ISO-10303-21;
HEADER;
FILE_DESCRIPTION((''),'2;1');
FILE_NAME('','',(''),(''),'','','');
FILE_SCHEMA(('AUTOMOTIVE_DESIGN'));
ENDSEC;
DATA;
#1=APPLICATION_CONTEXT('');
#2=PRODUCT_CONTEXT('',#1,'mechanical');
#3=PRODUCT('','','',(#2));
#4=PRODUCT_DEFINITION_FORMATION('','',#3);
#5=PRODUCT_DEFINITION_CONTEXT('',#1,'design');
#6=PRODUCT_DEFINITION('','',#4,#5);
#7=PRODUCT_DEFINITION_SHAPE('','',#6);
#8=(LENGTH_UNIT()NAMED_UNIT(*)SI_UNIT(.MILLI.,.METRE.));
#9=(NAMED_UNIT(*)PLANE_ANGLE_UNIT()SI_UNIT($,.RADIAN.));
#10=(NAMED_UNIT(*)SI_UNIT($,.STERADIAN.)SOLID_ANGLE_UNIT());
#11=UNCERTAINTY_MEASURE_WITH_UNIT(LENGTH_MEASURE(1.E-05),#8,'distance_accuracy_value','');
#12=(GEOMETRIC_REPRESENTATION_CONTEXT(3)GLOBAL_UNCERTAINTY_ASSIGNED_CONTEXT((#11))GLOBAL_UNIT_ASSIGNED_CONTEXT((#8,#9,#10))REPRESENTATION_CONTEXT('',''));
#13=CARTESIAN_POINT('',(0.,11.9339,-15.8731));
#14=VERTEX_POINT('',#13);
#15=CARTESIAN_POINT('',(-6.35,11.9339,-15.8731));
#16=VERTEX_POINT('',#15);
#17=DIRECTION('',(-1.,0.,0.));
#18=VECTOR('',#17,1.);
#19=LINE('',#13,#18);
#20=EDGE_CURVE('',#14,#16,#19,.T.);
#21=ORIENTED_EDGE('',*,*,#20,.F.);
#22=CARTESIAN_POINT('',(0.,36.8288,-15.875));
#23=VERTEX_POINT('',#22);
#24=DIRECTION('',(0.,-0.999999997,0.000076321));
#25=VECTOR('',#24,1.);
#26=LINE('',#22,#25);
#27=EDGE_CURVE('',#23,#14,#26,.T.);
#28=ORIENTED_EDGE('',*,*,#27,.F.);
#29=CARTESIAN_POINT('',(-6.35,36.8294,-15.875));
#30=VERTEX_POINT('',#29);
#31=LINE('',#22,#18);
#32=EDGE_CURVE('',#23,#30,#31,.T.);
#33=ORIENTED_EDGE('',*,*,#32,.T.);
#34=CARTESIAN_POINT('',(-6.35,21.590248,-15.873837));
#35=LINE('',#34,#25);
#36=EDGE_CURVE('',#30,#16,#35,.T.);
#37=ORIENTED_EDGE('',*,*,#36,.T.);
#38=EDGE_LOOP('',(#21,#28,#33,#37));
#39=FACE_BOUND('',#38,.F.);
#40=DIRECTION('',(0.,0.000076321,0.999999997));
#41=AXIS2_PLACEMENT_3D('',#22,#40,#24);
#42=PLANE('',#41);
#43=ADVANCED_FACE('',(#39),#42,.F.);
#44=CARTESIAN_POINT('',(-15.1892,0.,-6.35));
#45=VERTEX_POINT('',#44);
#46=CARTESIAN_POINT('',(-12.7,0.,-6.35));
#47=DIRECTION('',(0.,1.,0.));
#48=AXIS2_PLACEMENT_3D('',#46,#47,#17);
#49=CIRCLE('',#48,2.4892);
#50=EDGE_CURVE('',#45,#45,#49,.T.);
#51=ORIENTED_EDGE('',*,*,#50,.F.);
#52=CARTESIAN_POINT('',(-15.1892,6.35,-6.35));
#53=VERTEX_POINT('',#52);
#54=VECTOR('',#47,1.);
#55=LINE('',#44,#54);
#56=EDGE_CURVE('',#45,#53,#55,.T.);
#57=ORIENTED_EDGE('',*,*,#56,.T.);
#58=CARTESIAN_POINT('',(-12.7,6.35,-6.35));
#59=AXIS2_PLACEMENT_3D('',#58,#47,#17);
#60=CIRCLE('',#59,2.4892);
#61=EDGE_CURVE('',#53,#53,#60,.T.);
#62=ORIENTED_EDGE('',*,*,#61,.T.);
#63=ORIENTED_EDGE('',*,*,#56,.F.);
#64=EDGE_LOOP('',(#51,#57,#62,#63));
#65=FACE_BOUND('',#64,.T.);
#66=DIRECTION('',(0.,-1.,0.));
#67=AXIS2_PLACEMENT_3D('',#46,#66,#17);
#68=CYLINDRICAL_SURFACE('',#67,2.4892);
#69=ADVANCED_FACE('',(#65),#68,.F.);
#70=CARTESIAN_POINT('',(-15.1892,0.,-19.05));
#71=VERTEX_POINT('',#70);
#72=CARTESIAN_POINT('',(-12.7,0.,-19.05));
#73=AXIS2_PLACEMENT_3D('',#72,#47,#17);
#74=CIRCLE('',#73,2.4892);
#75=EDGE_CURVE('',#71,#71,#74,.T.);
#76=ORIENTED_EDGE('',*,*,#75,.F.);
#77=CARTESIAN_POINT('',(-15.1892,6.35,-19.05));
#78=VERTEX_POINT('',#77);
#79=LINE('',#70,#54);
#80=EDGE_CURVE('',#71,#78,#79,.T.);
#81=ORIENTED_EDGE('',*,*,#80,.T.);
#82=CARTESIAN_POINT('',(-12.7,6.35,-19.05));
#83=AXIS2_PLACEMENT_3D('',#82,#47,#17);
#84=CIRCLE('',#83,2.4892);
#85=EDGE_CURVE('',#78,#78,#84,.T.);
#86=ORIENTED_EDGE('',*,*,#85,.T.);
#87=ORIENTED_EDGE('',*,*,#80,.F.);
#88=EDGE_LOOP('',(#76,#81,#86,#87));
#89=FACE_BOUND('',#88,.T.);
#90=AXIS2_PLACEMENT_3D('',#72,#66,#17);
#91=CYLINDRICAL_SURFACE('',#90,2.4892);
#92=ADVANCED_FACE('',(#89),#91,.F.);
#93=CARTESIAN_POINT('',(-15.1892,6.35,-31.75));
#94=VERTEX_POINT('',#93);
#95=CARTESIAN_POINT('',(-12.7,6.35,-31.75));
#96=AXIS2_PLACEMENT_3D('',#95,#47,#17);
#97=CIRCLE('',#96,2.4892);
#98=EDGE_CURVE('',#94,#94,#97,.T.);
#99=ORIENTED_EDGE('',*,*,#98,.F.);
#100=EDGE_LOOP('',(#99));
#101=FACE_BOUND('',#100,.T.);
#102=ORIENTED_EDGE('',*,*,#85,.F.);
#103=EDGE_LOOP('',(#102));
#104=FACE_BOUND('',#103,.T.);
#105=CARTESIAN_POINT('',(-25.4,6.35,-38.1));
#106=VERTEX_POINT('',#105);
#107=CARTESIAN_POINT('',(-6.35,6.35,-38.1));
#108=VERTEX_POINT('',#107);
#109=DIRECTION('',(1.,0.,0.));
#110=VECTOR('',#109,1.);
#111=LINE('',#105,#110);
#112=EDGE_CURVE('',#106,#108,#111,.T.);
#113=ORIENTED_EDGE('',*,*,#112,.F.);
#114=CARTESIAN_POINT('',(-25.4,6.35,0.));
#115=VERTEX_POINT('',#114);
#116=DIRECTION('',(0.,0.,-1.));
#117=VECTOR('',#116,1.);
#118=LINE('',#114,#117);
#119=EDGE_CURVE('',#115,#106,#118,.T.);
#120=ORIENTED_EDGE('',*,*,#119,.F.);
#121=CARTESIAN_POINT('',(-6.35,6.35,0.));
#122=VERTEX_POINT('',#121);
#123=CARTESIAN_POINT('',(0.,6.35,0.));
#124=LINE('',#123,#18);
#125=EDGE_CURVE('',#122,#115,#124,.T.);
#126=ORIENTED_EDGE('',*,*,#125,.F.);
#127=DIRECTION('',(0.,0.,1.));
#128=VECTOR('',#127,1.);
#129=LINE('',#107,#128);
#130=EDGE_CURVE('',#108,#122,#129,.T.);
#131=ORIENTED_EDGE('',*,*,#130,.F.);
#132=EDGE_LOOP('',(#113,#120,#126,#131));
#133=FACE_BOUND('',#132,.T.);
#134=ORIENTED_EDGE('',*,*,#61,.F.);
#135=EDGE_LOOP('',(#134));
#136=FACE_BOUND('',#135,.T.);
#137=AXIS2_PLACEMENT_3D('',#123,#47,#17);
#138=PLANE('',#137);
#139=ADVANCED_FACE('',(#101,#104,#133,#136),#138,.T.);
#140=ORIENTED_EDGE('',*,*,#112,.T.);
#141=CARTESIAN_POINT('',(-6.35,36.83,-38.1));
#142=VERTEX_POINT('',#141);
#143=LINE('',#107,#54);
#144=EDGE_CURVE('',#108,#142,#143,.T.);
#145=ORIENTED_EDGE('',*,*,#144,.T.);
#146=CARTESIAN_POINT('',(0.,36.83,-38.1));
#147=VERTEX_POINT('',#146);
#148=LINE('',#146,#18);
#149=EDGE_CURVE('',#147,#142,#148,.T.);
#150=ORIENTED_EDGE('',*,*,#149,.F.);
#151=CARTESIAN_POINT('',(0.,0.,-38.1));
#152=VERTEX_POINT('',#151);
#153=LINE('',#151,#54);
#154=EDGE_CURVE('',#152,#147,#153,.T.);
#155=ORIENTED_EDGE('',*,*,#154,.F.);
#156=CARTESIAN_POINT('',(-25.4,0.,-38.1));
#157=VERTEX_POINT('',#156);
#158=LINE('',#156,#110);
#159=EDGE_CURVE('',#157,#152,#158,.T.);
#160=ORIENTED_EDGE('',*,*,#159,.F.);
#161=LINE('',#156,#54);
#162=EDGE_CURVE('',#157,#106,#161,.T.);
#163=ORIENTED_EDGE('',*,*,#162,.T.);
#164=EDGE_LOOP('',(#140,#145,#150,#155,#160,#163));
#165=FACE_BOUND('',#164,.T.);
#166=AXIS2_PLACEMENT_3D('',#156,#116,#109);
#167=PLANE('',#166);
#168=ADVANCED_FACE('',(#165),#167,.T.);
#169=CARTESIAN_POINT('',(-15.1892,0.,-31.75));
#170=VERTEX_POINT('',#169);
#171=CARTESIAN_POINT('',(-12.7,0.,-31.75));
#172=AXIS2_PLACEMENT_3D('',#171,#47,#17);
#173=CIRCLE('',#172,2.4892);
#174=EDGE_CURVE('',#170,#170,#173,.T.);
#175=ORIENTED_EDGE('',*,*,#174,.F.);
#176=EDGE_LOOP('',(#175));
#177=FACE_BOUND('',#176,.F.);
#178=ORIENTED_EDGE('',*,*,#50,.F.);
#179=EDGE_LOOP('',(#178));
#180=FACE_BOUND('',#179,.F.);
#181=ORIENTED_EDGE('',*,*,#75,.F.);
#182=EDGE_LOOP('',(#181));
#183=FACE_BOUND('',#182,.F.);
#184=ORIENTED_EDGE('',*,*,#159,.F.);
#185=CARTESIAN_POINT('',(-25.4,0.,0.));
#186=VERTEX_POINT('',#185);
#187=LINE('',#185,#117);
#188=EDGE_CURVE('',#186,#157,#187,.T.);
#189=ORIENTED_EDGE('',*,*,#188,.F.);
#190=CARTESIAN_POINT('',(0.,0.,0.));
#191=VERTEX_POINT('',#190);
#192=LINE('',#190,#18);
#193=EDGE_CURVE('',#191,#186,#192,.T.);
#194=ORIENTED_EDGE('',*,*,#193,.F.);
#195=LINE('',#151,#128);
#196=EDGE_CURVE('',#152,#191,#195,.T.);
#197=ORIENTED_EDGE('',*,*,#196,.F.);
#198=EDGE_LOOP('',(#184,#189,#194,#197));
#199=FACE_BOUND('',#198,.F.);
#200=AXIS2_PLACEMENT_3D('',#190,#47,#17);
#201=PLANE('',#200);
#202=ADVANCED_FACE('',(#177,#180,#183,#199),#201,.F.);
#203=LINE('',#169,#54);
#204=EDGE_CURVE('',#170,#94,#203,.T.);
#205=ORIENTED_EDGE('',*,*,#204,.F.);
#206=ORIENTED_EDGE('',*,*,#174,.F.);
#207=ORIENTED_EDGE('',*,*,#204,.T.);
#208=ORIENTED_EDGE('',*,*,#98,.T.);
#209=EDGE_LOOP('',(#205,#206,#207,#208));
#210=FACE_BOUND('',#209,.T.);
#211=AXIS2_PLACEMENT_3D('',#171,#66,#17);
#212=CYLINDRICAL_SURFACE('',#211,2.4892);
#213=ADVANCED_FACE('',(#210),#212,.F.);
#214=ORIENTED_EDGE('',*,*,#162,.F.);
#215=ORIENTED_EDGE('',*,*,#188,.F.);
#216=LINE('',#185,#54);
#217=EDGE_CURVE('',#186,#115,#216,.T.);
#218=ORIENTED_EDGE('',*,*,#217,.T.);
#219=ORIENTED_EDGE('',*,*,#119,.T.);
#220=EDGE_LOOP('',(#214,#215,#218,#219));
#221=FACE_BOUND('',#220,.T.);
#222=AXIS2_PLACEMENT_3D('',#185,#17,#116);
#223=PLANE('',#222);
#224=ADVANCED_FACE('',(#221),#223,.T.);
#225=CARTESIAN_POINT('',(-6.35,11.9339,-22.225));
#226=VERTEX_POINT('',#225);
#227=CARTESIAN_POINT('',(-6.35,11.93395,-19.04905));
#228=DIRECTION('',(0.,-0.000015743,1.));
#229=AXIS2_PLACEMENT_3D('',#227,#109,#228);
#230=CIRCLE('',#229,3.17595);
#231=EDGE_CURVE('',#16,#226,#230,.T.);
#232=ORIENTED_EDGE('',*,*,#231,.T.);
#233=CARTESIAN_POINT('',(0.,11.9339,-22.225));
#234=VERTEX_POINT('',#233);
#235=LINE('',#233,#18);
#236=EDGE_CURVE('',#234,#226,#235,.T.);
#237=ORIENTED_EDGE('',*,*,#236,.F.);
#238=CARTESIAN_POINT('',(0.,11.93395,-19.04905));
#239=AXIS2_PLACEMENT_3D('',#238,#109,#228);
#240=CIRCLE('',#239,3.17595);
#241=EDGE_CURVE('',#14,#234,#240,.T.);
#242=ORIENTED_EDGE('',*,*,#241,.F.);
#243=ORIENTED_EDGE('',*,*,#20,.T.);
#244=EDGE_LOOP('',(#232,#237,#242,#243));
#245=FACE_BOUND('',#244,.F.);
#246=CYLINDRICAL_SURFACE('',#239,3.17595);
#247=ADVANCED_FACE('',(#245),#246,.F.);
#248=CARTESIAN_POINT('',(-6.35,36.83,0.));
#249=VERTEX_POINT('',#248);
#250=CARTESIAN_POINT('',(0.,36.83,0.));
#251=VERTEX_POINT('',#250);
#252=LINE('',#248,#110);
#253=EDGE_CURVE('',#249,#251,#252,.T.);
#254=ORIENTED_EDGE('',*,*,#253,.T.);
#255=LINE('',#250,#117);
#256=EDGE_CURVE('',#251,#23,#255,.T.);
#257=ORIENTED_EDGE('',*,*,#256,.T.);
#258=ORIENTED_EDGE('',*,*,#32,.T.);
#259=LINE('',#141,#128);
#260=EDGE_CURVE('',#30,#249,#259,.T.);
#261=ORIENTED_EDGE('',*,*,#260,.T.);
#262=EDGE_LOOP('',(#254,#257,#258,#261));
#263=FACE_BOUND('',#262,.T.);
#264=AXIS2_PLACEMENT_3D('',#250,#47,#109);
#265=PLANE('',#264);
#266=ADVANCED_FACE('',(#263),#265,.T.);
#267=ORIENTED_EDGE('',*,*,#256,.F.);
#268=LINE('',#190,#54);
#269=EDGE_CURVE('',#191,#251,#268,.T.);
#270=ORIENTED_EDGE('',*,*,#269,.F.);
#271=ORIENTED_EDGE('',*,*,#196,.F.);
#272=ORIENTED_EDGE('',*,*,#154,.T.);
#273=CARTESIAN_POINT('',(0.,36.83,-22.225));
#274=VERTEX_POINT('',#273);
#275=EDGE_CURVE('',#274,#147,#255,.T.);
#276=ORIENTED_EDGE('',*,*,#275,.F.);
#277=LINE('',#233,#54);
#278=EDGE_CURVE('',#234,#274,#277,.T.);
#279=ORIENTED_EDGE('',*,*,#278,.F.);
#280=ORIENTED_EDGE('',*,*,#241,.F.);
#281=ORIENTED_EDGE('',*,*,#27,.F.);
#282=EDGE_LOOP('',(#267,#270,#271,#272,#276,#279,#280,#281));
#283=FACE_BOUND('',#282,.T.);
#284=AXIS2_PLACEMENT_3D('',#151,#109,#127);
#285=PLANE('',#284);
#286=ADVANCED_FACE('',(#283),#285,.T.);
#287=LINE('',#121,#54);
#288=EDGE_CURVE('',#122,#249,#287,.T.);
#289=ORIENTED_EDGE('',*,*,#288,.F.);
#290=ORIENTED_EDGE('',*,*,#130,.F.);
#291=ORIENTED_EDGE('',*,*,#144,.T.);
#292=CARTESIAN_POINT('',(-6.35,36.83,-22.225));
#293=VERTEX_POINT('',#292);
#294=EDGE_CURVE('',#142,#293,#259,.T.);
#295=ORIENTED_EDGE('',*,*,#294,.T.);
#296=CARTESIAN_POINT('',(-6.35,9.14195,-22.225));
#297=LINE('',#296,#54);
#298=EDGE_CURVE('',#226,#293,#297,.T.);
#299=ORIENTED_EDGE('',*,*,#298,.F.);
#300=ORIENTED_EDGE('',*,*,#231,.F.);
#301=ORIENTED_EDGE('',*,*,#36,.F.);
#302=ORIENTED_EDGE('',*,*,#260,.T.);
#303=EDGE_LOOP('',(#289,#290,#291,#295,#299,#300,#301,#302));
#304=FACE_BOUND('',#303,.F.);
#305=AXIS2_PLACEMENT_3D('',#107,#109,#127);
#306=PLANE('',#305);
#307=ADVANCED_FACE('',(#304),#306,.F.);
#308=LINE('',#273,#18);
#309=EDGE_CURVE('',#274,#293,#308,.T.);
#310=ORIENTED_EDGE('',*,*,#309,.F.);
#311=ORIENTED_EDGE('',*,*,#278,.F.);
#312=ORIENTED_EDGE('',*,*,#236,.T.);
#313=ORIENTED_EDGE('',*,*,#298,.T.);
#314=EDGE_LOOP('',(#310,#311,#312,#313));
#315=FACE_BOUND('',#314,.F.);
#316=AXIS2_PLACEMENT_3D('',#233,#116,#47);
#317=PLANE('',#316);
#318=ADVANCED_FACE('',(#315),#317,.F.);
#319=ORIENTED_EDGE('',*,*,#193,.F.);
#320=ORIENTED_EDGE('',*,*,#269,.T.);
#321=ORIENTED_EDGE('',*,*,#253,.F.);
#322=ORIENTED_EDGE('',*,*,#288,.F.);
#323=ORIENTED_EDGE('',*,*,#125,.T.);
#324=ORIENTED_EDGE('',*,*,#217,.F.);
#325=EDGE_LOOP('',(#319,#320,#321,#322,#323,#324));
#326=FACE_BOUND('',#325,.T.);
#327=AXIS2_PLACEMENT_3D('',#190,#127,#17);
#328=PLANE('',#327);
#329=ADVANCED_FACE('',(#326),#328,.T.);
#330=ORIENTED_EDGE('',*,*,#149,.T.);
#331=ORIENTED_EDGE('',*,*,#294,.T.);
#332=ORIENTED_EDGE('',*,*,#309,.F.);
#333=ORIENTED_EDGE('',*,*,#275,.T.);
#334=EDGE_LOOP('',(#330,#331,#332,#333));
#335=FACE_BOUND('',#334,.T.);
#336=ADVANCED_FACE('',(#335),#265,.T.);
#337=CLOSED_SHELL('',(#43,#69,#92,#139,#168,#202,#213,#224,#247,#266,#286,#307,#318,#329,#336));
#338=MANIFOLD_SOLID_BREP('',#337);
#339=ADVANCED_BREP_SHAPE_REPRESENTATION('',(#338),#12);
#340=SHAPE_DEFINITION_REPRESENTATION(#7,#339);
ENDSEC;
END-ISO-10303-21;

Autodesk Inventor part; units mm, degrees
ref_plane "YZ Plane" through (0, 0, 0) normal (1, 0, 0) x (0, 1, 0)
ref_plane "XZ Plane" through (0, 0, 0) normal (0, 1, 0) x (-1, 0, 0)
ref_plane "XY Plane" through (0, 0, 0) normal (0, 0, 1) x (1, 0, 0)
sketch "Sketch1" plane through (0, 0, 0) normal (0, 1, 0) x (-1, 0, 0)
  line L0 (0, 0) -> (25.4, 0)
  line L1 (25.4, 0) -> (25.4, -38.1)
  line L2 (25.4, -38.1) -> (0, -38.1)
  line L3 (0, -38.1) -> (0, 0)
  circle A0 centre (12.7, -6.35) radius 2.4892
  circle A1 centre (12.7, -19.05) radius 2.4892
  circle A2 centre (12.7, -31.75) radius 2.4892
  point P0 (12.7, -38.1)
  dimension "d1" = 38.1
  dimension "d2" = 25.4
  dimension "d3" = 4.9784
  dimension "d4" = 6.35
  dimension "d7" = 12.7
extrude "Extrusion1" add sketch "Sketch1" along normal blind 6.35
sketch "Sketch2" plane through (0, 6.35, 0) normal (0, 1, 0) x (1, 0, 0)
  line L0 (0, 38.1) -> (-25.4, 38.1) projected
  line L1 (0, 38.1) -> (-6.35, 38.1)
  line L2 (-6.35, 38.1) -> (-6.35, 0)
  line L3 (-6.35, 0) -> (0, 0)
  line L4 (0, 0) -> (0, 38.1)
  point P0 (0, 0)
  dimension "d14" = 6.35
  dimension "d15" = 38.1
extrude "Extrusion2" add sketch "Sketch2" along normal blind 30.48
sketch "Sketch3" plane through (0, 0, 0) normal (1, 0, 0) x (0, 0, -1)
  line L0 (0, 6.35) -> (0, 36.83) projected
  line L1 (0, 36.83) -> (15.875, 36.8288)
  line L2 (38.1, 6.35) -> (38.1, 36.83) projected
  line L3 (38.1, 36.83) -> (22.225, 36.83)
  line L4 (38.1, 36.83) -> (0, 36.83) projected
  line L5 (22.225, 36.83) -> (15.8731, 36.83)
  line L6 (15.8731, 36.83) -> (15.8731, 11.9339)
  line L7 (22.225, 11.9339) -> (22.225, 36.83)
  arc A0 (15.8731, 11.9339) -> (22.225, 11.9339) centre (19.049, 11.9339) ccw
  point P0 (0, 0)
  dimension "d18" = 15.875
  dimension "d19" = 15.875
extrude "Extrusion3" cut sketch "Sketch3" against normal blind 30.48
properties part number "BUMPER BRACKETS" material "Aluminum 6061"
